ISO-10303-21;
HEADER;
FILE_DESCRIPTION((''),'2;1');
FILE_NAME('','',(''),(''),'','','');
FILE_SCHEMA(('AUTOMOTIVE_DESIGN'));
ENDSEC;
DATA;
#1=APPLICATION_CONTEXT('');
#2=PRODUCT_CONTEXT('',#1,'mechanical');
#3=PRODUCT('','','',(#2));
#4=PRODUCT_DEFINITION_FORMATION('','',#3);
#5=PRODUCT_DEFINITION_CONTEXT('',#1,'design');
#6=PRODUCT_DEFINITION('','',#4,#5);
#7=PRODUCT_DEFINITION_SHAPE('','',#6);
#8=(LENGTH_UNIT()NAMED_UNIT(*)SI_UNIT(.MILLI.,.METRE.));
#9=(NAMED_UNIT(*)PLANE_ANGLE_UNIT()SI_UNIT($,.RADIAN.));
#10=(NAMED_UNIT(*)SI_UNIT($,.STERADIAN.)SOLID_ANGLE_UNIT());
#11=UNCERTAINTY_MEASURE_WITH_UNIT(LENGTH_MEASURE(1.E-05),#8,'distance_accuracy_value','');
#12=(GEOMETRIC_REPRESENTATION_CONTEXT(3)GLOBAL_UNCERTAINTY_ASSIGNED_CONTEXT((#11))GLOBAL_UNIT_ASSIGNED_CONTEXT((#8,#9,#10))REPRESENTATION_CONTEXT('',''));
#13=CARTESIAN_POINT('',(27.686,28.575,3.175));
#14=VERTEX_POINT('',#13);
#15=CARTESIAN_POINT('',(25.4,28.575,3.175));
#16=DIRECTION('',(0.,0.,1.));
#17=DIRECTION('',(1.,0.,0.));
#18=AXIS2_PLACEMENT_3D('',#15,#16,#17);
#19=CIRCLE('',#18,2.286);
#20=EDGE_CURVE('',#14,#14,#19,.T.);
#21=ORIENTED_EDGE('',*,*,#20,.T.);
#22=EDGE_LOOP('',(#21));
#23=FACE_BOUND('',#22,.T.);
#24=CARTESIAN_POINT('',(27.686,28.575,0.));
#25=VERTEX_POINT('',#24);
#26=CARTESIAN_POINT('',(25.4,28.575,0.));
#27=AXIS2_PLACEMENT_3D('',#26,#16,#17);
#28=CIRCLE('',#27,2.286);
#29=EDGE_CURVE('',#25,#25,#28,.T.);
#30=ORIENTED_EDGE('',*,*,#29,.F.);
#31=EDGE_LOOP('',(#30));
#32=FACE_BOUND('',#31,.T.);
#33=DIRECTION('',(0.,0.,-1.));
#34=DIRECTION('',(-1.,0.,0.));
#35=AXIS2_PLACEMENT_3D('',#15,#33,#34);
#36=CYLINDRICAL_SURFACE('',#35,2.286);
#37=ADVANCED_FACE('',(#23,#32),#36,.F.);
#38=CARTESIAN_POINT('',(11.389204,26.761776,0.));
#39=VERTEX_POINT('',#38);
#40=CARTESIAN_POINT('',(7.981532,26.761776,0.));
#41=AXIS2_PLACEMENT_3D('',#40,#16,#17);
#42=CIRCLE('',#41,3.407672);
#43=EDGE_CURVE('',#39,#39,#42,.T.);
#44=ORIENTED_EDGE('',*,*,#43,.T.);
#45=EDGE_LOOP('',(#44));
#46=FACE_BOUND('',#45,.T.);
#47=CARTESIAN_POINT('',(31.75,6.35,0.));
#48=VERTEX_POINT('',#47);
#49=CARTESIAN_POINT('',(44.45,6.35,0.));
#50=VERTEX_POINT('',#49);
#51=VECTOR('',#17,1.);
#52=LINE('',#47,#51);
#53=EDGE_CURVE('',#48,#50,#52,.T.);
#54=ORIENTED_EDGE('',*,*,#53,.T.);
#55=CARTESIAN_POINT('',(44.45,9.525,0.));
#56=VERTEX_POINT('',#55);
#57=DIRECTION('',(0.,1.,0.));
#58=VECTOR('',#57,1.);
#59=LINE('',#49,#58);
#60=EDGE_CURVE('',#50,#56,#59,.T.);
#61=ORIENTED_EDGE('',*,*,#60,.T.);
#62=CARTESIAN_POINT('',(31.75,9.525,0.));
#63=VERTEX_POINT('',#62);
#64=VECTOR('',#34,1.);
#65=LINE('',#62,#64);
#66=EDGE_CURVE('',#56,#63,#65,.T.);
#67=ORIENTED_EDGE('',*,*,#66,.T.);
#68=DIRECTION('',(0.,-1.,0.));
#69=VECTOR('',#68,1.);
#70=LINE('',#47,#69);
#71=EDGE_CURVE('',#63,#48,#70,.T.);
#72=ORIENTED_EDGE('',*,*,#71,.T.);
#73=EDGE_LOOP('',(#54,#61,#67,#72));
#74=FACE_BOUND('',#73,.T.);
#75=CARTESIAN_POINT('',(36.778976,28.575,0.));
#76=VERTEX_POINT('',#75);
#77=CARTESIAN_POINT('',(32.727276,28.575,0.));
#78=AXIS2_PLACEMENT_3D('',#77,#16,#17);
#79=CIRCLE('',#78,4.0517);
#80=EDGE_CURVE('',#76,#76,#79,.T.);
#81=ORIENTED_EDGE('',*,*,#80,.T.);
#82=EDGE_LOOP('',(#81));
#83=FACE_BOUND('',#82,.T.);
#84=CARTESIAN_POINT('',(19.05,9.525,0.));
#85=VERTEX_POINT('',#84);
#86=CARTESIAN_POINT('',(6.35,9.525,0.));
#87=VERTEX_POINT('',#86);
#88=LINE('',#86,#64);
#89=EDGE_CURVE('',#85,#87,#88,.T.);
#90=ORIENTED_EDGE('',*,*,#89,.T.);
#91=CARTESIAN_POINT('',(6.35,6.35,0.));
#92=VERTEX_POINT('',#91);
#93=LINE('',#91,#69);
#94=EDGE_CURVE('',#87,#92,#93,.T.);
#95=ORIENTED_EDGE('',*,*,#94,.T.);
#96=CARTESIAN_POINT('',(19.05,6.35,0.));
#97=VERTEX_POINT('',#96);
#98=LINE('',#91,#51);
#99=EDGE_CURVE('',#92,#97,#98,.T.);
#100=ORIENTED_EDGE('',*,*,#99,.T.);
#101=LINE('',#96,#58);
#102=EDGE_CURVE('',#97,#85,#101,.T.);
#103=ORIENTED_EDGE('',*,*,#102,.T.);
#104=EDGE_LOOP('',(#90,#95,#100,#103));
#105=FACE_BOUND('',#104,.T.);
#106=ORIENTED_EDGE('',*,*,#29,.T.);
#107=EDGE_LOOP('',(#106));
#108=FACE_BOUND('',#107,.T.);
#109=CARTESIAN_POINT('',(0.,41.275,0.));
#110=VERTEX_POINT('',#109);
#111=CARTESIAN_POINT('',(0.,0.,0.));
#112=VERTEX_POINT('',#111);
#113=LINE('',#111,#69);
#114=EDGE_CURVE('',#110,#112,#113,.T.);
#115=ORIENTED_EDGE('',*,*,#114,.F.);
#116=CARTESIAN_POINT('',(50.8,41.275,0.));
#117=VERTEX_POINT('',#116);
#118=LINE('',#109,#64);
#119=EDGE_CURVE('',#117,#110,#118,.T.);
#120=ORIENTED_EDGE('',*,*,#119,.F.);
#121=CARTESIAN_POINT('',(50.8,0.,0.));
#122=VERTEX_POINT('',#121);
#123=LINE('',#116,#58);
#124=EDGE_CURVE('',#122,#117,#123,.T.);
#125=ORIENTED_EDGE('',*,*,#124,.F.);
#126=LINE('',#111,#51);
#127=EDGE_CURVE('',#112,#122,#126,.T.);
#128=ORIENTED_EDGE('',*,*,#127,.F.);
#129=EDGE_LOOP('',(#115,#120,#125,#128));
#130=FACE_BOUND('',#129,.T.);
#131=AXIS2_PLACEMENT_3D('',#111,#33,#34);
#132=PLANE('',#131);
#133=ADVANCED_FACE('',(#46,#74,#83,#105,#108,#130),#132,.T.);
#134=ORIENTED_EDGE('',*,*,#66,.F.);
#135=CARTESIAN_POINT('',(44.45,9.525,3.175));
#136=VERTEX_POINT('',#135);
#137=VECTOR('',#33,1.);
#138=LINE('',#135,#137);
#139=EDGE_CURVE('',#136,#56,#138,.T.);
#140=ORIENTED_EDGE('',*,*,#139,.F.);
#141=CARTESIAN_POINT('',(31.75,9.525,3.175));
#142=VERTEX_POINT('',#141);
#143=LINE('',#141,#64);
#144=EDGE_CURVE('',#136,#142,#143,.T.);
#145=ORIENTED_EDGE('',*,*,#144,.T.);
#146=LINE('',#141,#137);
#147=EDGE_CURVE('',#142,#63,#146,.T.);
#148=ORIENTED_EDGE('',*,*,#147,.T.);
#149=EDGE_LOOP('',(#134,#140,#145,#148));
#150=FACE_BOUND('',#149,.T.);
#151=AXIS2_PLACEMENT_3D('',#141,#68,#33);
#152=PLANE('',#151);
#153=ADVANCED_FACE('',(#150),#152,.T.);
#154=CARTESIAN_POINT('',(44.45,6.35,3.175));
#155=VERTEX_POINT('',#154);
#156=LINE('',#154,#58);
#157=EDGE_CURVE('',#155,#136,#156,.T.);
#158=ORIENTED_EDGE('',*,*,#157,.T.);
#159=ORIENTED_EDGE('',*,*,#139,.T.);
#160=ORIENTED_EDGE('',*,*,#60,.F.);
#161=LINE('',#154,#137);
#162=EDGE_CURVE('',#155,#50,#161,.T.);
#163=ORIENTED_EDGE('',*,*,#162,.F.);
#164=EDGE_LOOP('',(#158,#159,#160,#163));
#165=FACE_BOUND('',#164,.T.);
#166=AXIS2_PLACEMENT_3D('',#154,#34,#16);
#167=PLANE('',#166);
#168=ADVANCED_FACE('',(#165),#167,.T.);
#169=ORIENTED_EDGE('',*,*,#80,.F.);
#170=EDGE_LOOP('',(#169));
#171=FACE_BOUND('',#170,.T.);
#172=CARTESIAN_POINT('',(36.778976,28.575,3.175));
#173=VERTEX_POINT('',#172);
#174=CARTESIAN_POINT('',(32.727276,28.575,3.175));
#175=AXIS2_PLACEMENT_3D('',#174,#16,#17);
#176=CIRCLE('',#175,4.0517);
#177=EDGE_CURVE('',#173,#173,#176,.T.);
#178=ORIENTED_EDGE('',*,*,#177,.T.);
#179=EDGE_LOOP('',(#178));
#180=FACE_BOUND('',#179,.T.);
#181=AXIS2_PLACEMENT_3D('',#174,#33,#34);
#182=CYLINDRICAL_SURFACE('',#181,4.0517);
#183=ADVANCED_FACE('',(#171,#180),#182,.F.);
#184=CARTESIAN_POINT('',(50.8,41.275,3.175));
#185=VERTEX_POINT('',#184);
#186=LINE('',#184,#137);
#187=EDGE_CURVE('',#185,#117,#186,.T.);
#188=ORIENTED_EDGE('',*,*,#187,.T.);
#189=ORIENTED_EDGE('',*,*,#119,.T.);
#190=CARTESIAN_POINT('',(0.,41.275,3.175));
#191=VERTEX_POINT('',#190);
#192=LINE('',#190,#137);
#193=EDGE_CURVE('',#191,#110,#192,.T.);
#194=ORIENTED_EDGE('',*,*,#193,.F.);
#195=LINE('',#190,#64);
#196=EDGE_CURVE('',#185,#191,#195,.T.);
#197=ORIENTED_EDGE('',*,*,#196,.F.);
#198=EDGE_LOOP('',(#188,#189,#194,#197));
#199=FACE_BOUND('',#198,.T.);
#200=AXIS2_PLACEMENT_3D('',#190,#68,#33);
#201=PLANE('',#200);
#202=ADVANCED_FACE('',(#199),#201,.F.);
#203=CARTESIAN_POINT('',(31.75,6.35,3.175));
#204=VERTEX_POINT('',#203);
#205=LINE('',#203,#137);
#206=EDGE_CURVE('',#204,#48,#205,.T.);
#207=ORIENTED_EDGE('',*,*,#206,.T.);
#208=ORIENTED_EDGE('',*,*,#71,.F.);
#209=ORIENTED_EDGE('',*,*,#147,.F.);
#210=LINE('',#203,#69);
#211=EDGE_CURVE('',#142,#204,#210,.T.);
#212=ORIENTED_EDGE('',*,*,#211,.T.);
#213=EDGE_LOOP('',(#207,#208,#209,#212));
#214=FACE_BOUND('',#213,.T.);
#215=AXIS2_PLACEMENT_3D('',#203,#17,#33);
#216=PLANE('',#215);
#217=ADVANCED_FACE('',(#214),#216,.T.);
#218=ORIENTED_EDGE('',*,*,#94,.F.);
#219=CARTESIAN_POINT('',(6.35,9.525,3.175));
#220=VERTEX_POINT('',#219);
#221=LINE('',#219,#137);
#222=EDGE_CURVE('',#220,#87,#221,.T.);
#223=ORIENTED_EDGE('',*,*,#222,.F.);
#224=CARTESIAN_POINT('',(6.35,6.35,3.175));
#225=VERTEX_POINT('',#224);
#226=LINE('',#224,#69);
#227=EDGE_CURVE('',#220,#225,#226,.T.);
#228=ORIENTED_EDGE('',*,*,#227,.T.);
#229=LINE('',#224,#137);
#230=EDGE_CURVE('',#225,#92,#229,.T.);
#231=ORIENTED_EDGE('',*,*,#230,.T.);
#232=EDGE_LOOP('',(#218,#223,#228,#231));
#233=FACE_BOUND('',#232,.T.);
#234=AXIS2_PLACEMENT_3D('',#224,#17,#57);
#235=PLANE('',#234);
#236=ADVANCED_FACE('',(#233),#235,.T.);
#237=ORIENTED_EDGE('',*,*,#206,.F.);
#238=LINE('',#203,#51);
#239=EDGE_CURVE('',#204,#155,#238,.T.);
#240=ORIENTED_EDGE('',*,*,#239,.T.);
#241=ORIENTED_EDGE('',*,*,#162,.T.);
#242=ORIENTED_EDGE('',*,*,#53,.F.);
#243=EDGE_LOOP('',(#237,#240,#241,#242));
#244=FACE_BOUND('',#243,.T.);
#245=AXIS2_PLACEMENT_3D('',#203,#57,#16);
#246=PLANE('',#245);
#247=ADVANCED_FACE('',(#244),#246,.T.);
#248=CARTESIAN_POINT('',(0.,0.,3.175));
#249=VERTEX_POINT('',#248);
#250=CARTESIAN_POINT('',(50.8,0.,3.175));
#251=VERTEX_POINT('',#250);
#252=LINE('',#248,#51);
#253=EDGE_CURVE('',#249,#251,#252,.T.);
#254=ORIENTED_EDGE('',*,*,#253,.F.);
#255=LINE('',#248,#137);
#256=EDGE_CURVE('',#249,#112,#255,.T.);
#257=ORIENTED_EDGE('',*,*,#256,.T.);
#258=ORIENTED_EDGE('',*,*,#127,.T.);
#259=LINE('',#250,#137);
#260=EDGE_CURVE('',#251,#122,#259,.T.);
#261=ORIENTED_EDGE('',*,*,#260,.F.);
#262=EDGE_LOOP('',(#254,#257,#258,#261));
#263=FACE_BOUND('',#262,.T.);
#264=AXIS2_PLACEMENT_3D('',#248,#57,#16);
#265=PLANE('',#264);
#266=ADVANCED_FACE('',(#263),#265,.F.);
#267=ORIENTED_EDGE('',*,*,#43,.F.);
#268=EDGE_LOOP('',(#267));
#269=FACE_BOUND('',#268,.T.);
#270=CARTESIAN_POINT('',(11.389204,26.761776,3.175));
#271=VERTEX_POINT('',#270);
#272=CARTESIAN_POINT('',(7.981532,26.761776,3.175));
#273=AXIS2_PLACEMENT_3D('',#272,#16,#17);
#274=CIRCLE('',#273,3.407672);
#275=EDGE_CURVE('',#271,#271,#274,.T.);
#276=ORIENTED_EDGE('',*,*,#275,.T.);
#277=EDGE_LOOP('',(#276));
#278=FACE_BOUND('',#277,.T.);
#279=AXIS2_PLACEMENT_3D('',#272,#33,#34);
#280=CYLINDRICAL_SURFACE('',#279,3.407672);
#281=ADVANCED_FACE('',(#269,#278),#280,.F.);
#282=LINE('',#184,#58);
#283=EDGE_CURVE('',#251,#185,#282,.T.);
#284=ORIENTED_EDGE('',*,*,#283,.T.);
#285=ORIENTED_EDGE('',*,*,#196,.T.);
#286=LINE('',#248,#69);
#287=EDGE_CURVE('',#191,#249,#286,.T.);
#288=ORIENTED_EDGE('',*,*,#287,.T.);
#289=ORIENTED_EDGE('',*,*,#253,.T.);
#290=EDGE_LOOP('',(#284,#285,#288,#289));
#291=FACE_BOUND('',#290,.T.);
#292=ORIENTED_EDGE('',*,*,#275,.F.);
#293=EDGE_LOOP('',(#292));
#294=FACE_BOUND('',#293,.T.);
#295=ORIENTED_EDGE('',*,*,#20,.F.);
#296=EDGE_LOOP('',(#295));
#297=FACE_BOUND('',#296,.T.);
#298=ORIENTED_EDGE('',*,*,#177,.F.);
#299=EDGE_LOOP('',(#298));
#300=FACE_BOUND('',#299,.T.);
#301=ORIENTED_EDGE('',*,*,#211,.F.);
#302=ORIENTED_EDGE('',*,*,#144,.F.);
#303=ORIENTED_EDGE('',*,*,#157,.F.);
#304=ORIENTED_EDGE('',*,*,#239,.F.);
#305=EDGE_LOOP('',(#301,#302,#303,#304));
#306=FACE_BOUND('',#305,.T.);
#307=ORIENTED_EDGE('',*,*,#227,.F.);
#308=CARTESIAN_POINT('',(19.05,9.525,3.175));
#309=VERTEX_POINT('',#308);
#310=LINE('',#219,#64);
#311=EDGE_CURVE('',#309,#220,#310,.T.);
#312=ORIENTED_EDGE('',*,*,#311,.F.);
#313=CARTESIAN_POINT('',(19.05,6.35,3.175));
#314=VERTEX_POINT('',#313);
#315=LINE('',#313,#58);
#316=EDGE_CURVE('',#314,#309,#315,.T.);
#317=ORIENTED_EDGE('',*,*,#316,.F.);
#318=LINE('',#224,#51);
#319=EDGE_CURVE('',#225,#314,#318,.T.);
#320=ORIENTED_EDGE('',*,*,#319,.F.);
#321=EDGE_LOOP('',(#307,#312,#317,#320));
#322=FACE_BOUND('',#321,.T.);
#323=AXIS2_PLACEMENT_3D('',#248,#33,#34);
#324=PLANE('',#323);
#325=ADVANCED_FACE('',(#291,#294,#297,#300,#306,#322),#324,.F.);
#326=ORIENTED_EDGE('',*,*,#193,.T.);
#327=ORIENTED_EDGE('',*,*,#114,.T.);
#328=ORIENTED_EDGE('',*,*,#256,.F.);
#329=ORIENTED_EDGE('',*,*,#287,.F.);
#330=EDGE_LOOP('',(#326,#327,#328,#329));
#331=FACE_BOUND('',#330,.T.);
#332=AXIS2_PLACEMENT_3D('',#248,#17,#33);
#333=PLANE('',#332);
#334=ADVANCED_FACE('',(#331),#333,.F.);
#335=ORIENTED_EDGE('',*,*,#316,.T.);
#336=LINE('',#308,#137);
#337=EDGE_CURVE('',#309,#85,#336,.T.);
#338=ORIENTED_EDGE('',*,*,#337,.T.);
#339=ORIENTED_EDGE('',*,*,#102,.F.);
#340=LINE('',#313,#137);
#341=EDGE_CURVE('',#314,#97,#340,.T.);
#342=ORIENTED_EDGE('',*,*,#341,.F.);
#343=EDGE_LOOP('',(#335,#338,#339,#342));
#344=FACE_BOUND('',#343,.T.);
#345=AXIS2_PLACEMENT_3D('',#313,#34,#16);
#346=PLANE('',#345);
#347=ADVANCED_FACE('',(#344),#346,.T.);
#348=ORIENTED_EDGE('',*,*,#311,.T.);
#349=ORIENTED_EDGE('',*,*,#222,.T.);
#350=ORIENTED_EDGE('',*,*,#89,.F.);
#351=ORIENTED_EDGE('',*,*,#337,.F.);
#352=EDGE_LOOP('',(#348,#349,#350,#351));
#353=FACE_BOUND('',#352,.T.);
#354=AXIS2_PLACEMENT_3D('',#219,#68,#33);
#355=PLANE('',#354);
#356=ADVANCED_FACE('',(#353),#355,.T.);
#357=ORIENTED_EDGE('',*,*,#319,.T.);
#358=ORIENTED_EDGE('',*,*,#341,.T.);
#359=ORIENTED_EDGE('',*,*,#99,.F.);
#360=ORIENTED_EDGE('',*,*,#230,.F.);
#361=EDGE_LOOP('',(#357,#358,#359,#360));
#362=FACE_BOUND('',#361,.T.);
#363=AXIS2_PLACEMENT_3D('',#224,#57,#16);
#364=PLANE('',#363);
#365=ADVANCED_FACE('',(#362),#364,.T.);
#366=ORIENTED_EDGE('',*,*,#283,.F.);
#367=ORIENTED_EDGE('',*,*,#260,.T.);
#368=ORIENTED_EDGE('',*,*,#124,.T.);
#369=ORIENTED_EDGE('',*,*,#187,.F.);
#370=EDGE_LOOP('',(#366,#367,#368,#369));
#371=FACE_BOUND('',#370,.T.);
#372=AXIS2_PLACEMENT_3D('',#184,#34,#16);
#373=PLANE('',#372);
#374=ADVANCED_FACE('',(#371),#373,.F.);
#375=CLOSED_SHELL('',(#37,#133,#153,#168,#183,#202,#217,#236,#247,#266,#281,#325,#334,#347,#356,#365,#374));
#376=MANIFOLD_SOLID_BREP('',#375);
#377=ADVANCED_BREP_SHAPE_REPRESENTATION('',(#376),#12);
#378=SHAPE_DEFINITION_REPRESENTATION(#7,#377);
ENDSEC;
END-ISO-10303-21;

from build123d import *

# Parameters (mm, degrees)
SKETCH1_W           = 50.8
SKETCH1_H           = 41.275
SKETCH1_R           = 2.286
SKETCH1_R_2         = 3.407671893
SKETCH1_R_3         = 4.051699908
SKETCH1_W_2         = 12.7
SKETCH1_H_2         = 3.175
BOSS_EXTRUDE1_DEPTH = 3.175


with BuildPart() as part:
    # Sketch1 → Boss-Extrude1 (new body)
    with BuildSketch(Plane.XY):
        with Locations((25.4, 20.6375)):
            Rectangle(SKETCH1_W, SKETCH1_H)
        with Locations((25.4, 28.575)):
            Circle(SKETCH1_R, mode=Mode.SUBTRACT)
        with Locations((7.98153171, 26.761776277)):
            Circle(SKETCH1_R_2, mode=Mode.SUBTRACT)
        with Locations((32.727276231, 28.575)):
            Circle(SKETCH1_R_3, mode=Mode.SUBTRACT)
        with Locations((12.7, 7.9375)):
            Rectangle(SKETCH1_W_2, SKETCH1_H_2, mode=Mode.SUBTRACT)
        with Locations((38.1, 7.9375)):
            Rectangle(SKETCH1_W_2, SKETCH1_H_2, mode=Mode.SUBTRACT)
    extrude(amount=BOSS_EXTRUDE1_DEPTH)


solid = part.part
